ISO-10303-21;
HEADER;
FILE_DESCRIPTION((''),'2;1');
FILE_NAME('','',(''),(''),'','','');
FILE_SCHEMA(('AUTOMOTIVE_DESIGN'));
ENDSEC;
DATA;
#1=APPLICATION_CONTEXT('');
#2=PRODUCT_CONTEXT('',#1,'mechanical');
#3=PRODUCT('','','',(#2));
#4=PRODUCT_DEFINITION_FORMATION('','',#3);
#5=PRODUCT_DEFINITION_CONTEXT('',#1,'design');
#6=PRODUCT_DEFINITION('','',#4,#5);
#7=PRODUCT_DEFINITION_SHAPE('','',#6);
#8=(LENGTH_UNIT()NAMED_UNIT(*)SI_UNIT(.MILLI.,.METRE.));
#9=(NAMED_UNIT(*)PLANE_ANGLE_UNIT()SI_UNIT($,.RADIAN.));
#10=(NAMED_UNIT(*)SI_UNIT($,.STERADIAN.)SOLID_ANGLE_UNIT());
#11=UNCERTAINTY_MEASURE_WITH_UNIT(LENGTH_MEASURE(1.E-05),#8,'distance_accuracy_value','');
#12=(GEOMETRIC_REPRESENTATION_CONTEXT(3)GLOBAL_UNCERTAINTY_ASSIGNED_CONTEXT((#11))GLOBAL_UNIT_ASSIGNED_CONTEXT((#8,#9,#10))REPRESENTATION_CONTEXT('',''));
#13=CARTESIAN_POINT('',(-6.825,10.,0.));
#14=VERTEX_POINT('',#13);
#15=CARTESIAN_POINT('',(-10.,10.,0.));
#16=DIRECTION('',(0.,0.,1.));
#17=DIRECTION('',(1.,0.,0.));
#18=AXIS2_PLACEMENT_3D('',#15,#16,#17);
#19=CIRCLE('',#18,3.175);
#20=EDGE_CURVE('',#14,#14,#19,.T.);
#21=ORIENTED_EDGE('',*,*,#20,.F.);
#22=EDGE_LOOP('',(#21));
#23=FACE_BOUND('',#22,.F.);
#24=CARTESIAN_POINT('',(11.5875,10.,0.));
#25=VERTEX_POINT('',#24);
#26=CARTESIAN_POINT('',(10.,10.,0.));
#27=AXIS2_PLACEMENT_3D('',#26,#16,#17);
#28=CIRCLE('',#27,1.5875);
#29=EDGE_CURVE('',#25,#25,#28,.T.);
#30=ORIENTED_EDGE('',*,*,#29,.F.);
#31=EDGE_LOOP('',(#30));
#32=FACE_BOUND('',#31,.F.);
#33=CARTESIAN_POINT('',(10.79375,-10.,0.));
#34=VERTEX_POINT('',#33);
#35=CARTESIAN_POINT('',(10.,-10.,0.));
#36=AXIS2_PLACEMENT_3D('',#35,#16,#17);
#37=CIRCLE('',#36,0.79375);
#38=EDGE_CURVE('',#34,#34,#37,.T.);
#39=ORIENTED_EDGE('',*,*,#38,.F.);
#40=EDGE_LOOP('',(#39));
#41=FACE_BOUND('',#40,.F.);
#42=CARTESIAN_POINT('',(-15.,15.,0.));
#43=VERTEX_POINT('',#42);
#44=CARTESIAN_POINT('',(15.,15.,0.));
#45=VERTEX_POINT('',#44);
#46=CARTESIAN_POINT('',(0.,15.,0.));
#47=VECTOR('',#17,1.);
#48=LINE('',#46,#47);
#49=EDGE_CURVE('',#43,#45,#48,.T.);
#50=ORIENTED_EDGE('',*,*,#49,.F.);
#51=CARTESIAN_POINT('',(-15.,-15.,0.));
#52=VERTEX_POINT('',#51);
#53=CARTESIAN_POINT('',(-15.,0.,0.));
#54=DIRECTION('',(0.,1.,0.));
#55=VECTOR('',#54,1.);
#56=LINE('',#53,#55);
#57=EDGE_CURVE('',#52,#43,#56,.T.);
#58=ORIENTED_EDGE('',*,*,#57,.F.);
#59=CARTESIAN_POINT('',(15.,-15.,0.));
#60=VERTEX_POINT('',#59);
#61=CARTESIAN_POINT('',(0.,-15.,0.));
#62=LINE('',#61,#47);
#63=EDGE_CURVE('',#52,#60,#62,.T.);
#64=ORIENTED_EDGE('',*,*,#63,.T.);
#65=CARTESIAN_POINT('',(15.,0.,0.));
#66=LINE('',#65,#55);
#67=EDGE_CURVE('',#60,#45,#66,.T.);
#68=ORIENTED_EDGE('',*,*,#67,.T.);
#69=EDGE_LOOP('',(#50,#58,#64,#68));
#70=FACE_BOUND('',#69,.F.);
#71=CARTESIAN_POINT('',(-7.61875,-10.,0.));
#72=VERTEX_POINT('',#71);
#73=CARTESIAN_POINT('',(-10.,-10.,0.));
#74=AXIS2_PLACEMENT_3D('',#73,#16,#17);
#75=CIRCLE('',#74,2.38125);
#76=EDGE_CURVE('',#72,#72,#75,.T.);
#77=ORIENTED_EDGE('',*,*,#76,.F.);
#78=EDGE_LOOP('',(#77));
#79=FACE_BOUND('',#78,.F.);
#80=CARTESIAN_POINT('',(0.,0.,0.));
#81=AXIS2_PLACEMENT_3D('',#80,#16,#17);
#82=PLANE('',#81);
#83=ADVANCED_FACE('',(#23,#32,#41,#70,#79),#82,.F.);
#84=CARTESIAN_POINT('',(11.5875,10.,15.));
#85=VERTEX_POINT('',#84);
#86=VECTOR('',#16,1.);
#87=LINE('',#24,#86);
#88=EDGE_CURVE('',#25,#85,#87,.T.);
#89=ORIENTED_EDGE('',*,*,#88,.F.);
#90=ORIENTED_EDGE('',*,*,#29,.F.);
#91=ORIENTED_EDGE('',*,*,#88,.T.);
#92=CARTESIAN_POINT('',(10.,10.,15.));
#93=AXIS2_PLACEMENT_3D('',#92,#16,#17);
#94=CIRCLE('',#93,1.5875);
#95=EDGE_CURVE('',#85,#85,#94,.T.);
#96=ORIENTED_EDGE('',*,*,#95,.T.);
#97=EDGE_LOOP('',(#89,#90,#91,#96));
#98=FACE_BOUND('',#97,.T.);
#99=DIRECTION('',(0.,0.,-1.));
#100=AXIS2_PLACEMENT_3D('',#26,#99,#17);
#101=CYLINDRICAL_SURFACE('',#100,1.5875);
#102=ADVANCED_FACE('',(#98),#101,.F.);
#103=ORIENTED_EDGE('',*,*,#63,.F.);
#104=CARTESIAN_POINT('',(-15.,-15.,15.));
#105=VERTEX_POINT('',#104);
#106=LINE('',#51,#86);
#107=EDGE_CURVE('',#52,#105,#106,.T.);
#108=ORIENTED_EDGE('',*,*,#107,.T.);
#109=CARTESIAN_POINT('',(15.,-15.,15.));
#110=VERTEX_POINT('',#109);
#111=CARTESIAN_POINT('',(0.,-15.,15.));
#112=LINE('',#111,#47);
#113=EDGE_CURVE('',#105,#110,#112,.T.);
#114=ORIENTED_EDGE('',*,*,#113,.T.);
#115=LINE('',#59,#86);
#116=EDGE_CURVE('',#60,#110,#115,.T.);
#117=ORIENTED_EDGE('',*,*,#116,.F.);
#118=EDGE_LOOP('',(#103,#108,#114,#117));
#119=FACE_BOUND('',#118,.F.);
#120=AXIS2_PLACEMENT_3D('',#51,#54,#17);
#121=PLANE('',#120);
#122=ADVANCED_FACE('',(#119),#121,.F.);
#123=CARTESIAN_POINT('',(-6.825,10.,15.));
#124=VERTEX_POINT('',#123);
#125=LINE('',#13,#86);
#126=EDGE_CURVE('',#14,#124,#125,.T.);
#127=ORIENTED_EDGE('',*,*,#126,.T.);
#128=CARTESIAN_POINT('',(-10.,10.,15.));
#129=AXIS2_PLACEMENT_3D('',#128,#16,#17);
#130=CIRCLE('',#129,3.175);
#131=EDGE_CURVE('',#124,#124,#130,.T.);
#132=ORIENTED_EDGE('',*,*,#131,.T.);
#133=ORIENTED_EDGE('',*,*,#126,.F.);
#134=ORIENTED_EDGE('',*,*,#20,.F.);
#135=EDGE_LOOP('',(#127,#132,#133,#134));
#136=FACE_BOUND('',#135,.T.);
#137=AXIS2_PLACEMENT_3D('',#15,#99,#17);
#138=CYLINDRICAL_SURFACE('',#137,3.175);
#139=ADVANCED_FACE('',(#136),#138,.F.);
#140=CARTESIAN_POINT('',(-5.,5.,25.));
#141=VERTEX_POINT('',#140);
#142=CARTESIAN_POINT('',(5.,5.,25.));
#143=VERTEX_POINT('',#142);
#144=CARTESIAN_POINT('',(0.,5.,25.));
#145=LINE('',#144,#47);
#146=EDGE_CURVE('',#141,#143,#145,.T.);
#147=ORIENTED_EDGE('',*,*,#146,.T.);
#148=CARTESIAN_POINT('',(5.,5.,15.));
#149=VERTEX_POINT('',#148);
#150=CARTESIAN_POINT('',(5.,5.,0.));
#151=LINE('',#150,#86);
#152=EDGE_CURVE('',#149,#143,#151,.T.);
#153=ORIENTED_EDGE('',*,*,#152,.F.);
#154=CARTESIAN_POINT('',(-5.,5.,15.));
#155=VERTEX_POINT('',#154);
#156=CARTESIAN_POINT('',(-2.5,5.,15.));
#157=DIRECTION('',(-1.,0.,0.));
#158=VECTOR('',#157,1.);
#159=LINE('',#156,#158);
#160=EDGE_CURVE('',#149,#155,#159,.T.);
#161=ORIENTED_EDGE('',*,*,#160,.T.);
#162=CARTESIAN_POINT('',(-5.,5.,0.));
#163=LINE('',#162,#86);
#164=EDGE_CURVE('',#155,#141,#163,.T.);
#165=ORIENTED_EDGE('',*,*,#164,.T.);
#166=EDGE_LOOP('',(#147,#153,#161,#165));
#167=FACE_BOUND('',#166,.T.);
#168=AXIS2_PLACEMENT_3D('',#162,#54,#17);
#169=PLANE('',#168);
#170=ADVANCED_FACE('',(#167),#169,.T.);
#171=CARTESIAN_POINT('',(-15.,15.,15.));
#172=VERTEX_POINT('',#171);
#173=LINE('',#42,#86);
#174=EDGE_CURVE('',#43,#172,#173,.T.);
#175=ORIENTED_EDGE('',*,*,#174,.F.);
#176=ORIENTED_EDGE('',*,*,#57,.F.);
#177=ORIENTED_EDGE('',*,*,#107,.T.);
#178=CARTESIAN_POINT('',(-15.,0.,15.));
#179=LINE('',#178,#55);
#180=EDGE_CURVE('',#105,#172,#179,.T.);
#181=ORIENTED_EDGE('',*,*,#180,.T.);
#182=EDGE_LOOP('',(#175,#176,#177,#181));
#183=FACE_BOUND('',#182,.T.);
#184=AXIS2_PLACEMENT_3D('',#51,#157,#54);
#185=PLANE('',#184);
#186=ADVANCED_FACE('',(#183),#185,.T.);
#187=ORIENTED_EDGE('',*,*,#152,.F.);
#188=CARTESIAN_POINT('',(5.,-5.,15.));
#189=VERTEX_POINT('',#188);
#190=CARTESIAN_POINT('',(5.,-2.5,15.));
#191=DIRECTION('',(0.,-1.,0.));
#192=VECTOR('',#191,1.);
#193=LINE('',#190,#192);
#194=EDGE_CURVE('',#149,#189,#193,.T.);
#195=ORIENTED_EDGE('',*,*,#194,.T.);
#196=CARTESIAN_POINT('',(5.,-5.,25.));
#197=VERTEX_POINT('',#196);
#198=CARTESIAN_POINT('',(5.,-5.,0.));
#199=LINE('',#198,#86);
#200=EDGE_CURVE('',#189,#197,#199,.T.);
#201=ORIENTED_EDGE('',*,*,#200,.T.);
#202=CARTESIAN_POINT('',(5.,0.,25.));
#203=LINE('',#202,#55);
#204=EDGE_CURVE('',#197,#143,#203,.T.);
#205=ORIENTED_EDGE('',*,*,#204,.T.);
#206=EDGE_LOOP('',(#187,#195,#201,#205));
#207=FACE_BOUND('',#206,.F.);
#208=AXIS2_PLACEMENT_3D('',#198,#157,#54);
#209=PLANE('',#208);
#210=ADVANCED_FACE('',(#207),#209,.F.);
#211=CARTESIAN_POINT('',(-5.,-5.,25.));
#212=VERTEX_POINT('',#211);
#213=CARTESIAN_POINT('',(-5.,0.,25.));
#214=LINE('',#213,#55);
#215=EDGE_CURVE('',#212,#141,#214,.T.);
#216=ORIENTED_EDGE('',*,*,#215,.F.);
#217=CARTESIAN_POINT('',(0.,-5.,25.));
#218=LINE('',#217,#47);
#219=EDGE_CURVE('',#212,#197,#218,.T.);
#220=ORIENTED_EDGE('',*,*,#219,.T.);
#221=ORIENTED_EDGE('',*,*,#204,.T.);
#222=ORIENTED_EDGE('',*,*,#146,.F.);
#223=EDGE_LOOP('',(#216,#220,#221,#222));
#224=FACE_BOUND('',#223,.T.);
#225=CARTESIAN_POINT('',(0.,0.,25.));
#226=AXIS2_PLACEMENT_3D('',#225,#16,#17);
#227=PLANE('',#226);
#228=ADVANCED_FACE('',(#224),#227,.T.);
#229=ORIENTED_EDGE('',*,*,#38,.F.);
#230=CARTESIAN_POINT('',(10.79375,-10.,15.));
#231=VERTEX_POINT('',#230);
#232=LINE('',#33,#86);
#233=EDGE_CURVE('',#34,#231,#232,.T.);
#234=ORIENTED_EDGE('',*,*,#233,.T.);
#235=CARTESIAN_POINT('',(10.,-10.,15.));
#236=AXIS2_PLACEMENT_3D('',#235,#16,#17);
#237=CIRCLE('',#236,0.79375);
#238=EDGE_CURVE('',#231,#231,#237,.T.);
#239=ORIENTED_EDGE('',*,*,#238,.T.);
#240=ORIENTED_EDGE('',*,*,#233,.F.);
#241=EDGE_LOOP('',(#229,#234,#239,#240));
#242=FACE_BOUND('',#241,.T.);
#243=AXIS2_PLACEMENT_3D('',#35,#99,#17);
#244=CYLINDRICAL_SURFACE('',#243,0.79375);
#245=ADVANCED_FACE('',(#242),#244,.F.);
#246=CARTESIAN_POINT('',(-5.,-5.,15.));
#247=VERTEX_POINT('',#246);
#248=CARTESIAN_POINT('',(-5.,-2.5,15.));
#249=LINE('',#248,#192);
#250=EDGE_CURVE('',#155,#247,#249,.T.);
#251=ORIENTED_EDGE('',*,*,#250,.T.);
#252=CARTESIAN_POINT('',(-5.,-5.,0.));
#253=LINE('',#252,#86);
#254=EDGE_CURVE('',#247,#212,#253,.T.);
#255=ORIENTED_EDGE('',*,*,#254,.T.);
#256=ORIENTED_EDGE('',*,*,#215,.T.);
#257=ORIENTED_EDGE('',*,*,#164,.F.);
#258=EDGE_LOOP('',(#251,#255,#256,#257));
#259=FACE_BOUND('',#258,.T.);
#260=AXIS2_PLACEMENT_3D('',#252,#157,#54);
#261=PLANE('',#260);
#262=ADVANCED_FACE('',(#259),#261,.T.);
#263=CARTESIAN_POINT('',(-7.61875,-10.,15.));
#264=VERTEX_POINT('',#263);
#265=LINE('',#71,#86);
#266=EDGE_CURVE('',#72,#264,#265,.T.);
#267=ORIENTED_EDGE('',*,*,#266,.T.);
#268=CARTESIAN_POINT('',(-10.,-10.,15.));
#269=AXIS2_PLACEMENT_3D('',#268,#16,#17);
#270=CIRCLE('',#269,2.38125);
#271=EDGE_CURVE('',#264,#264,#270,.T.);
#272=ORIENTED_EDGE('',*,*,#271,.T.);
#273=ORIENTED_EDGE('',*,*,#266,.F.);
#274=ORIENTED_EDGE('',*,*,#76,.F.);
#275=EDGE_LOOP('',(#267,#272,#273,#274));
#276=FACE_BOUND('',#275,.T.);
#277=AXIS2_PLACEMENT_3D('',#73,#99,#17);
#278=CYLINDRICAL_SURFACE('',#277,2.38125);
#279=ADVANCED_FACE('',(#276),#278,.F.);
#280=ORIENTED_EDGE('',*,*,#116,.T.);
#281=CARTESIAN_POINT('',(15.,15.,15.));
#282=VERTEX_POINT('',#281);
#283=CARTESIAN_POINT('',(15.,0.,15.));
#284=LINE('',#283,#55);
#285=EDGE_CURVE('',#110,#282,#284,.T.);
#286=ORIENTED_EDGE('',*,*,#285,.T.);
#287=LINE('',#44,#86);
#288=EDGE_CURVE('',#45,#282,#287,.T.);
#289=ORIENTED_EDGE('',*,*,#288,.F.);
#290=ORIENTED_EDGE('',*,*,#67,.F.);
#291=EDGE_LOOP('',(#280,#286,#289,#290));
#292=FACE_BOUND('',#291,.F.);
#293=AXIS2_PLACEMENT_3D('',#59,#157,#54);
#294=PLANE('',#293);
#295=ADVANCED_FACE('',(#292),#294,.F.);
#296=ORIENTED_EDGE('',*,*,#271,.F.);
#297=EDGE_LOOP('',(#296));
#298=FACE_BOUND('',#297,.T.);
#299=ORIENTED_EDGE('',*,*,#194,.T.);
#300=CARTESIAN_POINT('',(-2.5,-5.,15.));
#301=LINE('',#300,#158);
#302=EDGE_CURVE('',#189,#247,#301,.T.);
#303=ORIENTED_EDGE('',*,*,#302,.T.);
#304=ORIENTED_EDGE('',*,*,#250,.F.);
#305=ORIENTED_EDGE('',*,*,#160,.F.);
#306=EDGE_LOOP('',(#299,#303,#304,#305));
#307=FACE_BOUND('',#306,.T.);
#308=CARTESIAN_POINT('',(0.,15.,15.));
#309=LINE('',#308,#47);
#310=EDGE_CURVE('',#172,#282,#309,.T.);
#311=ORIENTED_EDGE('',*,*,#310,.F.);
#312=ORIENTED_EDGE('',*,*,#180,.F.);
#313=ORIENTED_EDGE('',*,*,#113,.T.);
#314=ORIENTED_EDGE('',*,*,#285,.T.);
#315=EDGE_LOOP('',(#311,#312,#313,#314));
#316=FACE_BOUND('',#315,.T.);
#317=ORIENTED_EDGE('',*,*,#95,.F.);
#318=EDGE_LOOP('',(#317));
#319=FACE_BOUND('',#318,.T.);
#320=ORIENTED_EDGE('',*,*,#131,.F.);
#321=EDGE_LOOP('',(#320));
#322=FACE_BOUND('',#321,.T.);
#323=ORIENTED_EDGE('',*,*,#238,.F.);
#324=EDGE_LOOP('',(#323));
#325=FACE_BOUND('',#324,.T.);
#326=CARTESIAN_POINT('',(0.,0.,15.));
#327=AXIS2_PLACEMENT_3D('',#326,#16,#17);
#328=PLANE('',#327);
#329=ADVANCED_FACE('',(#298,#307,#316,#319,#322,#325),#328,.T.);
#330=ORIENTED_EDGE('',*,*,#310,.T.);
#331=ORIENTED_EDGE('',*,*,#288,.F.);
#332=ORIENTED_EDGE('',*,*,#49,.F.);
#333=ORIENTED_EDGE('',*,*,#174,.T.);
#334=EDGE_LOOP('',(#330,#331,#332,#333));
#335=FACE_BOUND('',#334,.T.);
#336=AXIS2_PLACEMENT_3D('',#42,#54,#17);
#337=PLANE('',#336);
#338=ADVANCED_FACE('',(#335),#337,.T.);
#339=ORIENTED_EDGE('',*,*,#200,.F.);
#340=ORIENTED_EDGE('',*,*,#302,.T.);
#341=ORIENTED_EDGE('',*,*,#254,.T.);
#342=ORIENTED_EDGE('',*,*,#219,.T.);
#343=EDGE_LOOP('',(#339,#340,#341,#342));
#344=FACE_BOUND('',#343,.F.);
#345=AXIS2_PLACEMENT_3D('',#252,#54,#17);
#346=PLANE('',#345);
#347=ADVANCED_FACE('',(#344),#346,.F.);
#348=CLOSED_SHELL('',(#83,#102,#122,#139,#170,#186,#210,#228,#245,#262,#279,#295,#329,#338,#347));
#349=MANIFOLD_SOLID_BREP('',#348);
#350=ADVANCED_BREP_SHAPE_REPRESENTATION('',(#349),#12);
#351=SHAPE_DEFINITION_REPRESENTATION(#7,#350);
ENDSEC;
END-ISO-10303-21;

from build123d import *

# Parameters (mm, degrees)
F0_W     = 30
F0_H     = 30
F0_R     = 2.38125
F0_R_2   = 0.79375
F0_R_3   = 3.175
F0_W_2   = 10
F0_H_2   = 10
F0_R_4   = 1.5875
F1_DEPTH = 15
F2_DEPTH = 25


with BuildPart() as f1:
    # F0 (on Top) → F1 (new body)
    with BuildSketch(Plane.XY):
        Rectangle(F0_W, F0_H)
        with Locations((-10, -10)):
            Circle(F0_R, mode=Mode.SUBTRACT)
        with Locations((10, -10)):
            Circle(F0_R_2, mode=Mode.SUBTRACT)
        with Locations((-10, 10)):
            Circle(F0_R_3, mode=Mode.SUBTRACT)
        Rectangle(F0_W_2, F0_H_2, mode=Mode.SUBTRACT)
        with Locations((10, 10)):
            Circle(F0_R_4, mode=Mode.SUBTRACT)
        Rectangle(F0_W_2, F0_H_2)
    extrude(amount=F1_DEPTH)

    # F0 (on Top) → F2 (join)
    with BuildSketch(Plane.XY):
        Rectangle(F0_W_2, F0_H_2)
    extrude(amount=F2_DEPTH)


solid = f1.part
